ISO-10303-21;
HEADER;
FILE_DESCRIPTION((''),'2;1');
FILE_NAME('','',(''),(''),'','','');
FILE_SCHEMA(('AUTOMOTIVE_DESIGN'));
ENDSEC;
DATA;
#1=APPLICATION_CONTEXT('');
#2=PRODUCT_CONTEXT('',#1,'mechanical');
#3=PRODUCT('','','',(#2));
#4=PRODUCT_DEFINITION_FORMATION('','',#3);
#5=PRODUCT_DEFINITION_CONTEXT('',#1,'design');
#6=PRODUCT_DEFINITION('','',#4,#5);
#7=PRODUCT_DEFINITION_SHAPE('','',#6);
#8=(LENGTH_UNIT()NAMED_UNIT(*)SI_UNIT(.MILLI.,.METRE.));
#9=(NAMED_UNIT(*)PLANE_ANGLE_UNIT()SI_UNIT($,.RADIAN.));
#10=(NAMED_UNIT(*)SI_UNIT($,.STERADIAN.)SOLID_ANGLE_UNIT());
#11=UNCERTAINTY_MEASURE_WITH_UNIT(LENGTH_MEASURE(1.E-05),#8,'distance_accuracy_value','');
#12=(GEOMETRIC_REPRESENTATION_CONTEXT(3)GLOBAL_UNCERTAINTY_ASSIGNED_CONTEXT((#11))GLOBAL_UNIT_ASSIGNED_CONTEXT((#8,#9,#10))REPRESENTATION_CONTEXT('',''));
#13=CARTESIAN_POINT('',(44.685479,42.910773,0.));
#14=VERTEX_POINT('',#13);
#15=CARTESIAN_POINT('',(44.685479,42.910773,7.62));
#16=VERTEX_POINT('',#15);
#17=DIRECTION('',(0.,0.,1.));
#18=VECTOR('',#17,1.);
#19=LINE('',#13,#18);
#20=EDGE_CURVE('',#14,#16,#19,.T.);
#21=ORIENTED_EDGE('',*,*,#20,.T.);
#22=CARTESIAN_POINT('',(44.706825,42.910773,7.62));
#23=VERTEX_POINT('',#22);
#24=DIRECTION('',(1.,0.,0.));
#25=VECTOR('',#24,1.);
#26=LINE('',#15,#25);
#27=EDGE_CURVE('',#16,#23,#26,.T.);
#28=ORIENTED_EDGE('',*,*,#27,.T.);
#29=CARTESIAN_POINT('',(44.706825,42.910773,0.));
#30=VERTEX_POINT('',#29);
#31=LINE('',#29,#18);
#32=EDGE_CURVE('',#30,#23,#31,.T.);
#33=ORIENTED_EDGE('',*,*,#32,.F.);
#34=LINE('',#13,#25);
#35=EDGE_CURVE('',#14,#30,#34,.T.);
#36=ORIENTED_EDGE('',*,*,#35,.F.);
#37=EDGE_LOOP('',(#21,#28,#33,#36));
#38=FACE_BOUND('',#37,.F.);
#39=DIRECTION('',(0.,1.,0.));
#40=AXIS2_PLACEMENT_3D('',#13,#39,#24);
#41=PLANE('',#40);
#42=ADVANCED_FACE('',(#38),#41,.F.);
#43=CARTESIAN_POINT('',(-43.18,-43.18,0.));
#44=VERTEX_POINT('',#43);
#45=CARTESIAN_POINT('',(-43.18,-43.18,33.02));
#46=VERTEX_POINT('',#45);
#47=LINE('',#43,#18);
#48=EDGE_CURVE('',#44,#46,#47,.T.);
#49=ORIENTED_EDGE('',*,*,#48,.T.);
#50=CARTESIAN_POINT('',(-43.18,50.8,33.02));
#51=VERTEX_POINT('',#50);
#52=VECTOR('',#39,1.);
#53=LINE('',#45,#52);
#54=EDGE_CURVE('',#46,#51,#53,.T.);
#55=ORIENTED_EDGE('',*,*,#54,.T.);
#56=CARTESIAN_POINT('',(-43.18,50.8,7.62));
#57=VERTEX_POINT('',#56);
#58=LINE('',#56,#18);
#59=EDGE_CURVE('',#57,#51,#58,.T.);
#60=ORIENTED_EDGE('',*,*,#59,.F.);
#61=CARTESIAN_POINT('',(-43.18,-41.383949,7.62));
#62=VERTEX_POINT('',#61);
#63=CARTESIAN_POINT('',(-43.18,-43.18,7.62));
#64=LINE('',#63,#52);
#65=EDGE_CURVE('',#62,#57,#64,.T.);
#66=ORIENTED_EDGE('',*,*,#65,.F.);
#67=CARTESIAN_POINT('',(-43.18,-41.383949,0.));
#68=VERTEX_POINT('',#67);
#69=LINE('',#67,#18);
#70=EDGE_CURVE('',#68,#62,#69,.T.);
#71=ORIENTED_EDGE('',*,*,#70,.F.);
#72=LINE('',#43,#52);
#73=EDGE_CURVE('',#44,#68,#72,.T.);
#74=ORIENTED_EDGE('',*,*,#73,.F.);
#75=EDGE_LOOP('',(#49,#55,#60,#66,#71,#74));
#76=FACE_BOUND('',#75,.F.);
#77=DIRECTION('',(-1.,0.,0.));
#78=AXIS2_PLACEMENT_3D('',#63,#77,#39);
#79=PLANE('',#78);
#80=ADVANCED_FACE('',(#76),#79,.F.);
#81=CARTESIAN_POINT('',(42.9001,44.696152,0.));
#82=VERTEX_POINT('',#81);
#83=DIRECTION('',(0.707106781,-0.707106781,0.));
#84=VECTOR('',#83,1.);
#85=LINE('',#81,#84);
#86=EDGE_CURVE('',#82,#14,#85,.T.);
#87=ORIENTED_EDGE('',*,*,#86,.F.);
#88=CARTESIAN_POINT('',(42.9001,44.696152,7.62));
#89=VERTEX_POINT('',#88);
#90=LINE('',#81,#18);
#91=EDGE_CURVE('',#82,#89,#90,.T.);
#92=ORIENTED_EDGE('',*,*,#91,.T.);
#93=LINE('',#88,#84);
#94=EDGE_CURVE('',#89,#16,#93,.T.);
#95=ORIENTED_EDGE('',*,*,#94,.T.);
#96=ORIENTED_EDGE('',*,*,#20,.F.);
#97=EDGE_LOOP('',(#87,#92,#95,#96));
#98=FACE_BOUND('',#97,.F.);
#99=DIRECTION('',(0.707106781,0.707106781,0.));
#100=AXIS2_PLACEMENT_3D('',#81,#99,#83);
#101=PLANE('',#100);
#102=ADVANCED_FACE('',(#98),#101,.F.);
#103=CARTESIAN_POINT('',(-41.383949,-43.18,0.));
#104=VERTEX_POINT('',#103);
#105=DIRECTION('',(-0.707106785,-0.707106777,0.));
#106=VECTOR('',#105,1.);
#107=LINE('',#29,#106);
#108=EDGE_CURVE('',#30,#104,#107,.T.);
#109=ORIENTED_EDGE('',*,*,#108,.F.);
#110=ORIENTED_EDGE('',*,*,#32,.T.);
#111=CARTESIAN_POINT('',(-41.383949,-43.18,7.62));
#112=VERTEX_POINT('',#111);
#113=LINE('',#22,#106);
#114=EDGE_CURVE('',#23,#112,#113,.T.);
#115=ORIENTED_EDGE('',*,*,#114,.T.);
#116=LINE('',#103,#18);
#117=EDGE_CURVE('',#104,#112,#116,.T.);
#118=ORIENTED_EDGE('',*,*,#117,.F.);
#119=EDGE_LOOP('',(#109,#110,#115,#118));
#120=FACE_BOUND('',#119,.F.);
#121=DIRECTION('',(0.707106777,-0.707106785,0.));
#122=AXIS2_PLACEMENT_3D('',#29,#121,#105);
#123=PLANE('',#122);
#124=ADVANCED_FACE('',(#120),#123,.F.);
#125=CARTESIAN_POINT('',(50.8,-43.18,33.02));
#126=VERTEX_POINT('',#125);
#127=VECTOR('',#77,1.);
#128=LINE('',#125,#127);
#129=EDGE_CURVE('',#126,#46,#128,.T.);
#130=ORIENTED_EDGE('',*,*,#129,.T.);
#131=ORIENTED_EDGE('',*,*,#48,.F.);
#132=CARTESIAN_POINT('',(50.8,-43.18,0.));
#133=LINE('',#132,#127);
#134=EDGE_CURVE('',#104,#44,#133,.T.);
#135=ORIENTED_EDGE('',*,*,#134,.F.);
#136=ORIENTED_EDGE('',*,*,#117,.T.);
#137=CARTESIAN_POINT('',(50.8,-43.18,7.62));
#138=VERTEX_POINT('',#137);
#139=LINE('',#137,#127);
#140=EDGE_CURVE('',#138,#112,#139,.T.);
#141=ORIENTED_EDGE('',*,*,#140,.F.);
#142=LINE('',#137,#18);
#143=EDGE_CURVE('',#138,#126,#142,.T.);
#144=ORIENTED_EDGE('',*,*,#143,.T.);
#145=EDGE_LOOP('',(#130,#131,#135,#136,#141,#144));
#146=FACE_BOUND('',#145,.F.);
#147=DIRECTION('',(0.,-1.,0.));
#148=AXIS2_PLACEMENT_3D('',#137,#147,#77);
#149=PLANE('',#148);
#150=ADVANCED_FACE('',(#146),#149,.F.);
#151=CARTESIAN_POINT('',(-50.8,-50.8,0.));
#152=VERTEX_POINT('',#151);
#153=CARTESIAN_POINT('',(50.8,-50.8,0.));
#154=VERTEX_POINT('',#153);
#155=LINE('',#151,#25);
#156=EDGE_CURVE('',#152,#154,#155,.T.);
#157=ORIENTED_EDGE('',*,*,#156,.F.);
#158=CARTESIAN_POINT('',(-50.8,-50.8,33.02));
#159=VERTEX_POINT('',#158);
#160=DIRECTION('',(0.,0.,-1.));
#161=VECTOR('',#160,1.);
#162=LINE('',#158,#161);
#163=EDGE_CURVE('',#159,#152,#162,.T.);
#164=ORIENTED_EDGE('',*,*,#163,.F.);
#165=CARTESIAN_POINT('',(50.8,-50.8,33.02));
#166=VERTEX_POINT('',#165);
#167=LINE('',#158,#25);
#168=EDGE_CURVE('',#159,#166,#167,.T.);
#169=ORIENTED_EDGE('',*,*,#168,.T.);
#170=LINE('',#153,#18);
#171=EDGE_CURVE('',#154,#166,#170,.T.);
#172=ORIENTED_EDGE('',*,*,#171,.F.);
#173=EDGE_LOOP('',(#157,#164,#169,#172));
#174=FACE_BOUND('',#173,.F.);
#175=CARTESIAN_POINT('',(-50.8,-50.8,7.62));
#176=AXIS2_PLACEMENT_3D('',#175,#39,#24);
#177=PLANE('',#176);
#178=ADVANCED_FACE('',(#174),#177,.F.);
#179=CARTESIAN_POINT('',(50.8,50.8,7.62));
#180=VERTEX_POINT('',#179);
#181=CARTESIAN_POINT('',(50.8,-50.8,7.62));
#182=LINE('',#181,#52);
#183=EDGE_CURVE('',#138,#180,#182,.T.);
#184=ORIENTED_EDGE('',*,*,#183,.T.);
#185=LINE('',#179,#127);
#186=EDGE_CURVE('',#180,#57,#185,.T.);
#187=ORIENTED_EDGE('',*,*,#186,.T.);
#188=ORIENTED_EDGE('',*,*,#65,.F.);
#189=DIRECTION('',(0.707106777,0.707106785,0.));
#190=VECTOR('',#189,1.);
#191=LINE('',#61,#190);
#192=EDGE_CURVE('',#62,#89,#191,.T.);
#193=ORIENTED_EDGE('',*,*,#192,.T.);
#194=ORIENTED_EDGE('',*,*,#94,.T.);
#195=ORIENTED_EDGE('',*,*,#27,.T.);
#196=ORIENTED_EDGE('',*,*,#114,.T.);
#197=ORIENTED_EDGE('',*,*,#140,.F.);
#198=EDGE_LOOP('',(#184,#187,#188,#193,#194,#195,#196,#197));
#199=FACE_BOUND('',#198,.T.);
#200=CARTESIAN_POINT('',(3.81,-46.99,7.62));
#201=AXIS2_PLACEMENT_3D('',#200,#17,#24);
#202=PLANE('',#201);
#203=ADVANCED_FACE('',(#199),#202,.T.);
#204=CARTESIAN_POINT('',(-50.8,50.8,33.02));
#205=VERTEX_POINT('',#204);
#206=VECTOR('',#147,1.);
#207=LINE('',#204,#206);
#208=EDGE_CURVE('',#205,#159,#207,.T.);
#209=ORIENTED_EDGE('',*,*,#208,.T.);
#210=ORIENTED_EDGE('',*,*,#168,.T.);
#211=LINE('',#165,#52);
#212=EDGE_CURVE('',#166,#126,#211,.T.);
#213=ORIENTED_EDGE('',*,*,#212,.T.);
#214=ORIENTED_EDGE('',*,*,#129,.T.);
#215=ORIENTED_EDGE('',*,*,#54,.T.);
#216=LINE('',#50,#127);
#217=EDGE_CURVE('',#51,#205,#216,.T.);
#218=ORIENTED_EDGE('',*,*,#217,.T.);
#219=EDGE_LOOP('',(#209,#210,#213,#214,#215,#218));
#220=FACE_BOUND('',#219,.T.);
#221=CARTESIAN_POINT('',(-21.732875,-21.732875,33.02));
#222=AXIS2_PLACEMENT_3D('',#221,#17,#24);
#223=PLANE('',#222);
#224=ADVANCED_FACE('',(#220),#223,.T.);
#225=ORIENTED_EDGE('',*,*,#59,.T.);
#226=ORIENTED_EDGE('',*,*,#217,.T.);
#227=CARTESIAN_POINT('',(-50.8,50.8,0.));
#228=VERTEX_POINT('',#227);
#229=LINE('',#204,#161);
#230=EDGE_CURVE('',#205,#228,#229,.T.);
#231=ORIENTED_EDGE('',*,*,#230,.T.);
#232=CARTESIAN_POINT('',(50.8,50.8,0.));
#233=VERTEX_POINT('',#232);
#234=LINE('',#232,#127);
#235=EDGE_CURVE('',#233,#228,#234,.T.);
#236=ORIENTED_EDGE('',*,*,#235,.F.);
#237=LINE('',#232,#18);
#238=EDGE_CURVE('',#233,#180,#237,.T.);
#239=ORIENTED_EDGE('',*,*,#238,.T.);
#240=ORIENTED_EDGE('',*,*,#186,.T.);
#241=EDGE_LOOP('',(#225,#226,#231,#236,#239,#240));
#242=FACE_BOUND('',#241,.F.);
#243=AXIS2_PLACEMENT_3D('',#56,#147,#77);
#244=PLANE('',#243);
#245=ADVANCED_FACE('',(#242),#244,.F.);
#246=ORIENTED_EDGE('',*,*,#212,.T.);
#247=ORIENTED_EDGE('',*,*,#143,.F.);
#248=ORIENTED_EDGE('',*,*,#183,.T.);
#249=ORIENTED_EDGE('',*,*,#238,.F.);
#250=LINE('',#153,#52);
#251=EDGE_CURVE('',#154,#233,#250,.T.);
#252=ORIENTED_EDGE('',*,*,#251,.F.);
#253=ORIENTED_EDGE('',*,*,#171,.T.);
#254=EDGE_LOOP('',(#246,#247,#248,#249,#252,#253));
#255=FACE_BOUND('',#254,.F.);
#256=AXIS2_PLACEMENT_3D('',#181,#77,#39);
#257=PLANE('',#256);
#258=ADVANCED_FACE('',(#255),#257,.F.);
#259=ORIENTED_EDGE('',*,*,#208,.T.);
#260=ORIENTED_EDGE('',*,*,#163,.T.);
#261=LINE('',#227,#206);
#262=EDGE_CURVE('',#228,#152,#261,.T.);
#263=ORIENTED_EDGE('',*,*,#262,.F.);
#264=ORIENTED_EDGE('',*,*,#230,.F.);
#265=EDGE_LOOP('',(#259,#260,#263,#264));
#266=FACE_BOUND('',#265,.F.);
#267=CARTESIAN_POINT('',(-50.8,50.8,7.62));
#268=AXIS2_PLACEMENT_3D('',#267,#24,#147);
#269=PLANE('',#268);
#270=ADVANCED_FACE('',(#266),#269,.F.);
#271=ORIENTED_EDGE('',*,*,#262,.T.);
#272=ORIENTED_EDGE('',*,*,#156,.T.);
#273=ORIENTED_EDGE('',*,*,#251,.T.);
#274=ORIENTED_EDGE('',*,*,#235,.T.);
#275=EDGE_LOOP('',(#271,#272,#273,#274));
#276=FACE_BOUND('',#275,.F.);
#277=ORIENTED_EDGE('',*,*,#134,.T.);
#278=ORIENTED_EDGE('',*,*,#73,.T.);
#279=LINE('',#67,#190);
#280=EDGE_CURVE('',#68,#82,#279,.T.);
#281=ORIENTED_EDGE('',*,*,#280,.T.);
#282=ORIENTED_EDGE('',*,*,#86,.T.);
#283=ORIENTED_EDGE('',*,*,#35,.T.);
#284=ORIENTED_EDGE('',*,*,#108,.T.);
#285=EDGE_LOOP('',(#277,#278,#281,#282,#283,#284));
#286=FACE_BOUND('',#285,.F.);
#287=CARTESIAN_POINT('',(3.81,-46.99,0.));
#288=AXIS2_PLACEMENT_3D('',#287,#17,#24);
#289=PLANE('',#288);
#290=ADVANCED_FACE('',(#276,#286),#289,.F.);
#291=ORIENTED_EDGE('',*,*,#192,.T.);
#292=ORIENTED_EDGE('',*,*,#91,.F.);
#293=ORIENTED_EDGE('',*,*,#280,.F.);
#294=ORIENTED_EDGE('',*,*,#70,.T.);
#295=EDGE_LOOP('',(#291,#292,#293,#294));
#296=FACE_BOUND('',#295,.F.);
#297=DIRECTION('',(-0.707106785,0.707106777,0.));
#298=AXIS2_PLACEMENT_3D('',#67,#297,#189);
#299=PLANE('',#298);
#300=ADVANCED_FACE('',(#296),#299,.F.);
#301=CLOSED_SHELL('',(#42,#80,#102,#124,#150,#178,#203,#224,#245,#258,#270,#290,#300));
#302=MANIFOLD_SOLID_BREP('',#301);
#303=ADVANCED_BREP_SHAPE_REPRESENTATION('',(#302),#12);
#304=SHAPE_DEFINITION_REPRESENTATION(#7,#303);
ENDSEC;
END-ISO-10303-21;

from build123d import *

# Parameters (mm, degrees)
F1_DEPTH = 7.62
F3_DEPTH = 25.4


with BuildPart() as f1:
    # F0 (on Top) → F1 (new body)
    with BuildSketch(Plane.XY):
        Polygon((-43.18, -50.8), (50.8, -50.8), (50.8, -43.18), (-41.383949, -43.18), (-43.18, -43.18), align=None)
        Polygon((-49.003949, -50.8), (-43.18, -50.8), (-43.18, -43.18), (-50.8, -43.18), (-50.8, -49.003949), (-50.8, -50.8), align=None)
        Polygon((-41.383949, -43.18), (50.8, -43.18), (50.8, 42.910773), (50.8, 49.003949), (44.706825, 42.910773), align=None)
        Polygon((-50.8, -43.18), (-43.18, -43.18), (-43.18, -41.383949), (-43.18, 50.8), (-50.8, 50.8), align=None)
        Polygon((-43.18, 50.8), (-43.18, -41.383949), (42.9001, 44.696152), (49.003949, 50.8), (42.9001, 50.8), align=None)
        Polygon((44.706825, 42.910773), (50.8, 49.003949), (50.8, 50.8), (49.003949, 50.8), (42.9001, 44.696152), (44.685479, 42.910773), align=None)
    extrude(amount=F1_DEPTH)

    # F2 (on face) → F3 (join)
    with BuildSketch(Plane.XY.offset(7.62)):
        Polygon((-50.8, -43.18), (-50.8, -50.8), (-43.18, -50.8), (50.8, -50.8), (50.8, -43.18), (-41.383949, -43.18), (-43.18, -43.18), (-43.18, -41.383949), (-43.18, 50.8), (-50.8, 50.8), align=None)
    extrude(amount=F3_DEPTH)


solid = f1.part
